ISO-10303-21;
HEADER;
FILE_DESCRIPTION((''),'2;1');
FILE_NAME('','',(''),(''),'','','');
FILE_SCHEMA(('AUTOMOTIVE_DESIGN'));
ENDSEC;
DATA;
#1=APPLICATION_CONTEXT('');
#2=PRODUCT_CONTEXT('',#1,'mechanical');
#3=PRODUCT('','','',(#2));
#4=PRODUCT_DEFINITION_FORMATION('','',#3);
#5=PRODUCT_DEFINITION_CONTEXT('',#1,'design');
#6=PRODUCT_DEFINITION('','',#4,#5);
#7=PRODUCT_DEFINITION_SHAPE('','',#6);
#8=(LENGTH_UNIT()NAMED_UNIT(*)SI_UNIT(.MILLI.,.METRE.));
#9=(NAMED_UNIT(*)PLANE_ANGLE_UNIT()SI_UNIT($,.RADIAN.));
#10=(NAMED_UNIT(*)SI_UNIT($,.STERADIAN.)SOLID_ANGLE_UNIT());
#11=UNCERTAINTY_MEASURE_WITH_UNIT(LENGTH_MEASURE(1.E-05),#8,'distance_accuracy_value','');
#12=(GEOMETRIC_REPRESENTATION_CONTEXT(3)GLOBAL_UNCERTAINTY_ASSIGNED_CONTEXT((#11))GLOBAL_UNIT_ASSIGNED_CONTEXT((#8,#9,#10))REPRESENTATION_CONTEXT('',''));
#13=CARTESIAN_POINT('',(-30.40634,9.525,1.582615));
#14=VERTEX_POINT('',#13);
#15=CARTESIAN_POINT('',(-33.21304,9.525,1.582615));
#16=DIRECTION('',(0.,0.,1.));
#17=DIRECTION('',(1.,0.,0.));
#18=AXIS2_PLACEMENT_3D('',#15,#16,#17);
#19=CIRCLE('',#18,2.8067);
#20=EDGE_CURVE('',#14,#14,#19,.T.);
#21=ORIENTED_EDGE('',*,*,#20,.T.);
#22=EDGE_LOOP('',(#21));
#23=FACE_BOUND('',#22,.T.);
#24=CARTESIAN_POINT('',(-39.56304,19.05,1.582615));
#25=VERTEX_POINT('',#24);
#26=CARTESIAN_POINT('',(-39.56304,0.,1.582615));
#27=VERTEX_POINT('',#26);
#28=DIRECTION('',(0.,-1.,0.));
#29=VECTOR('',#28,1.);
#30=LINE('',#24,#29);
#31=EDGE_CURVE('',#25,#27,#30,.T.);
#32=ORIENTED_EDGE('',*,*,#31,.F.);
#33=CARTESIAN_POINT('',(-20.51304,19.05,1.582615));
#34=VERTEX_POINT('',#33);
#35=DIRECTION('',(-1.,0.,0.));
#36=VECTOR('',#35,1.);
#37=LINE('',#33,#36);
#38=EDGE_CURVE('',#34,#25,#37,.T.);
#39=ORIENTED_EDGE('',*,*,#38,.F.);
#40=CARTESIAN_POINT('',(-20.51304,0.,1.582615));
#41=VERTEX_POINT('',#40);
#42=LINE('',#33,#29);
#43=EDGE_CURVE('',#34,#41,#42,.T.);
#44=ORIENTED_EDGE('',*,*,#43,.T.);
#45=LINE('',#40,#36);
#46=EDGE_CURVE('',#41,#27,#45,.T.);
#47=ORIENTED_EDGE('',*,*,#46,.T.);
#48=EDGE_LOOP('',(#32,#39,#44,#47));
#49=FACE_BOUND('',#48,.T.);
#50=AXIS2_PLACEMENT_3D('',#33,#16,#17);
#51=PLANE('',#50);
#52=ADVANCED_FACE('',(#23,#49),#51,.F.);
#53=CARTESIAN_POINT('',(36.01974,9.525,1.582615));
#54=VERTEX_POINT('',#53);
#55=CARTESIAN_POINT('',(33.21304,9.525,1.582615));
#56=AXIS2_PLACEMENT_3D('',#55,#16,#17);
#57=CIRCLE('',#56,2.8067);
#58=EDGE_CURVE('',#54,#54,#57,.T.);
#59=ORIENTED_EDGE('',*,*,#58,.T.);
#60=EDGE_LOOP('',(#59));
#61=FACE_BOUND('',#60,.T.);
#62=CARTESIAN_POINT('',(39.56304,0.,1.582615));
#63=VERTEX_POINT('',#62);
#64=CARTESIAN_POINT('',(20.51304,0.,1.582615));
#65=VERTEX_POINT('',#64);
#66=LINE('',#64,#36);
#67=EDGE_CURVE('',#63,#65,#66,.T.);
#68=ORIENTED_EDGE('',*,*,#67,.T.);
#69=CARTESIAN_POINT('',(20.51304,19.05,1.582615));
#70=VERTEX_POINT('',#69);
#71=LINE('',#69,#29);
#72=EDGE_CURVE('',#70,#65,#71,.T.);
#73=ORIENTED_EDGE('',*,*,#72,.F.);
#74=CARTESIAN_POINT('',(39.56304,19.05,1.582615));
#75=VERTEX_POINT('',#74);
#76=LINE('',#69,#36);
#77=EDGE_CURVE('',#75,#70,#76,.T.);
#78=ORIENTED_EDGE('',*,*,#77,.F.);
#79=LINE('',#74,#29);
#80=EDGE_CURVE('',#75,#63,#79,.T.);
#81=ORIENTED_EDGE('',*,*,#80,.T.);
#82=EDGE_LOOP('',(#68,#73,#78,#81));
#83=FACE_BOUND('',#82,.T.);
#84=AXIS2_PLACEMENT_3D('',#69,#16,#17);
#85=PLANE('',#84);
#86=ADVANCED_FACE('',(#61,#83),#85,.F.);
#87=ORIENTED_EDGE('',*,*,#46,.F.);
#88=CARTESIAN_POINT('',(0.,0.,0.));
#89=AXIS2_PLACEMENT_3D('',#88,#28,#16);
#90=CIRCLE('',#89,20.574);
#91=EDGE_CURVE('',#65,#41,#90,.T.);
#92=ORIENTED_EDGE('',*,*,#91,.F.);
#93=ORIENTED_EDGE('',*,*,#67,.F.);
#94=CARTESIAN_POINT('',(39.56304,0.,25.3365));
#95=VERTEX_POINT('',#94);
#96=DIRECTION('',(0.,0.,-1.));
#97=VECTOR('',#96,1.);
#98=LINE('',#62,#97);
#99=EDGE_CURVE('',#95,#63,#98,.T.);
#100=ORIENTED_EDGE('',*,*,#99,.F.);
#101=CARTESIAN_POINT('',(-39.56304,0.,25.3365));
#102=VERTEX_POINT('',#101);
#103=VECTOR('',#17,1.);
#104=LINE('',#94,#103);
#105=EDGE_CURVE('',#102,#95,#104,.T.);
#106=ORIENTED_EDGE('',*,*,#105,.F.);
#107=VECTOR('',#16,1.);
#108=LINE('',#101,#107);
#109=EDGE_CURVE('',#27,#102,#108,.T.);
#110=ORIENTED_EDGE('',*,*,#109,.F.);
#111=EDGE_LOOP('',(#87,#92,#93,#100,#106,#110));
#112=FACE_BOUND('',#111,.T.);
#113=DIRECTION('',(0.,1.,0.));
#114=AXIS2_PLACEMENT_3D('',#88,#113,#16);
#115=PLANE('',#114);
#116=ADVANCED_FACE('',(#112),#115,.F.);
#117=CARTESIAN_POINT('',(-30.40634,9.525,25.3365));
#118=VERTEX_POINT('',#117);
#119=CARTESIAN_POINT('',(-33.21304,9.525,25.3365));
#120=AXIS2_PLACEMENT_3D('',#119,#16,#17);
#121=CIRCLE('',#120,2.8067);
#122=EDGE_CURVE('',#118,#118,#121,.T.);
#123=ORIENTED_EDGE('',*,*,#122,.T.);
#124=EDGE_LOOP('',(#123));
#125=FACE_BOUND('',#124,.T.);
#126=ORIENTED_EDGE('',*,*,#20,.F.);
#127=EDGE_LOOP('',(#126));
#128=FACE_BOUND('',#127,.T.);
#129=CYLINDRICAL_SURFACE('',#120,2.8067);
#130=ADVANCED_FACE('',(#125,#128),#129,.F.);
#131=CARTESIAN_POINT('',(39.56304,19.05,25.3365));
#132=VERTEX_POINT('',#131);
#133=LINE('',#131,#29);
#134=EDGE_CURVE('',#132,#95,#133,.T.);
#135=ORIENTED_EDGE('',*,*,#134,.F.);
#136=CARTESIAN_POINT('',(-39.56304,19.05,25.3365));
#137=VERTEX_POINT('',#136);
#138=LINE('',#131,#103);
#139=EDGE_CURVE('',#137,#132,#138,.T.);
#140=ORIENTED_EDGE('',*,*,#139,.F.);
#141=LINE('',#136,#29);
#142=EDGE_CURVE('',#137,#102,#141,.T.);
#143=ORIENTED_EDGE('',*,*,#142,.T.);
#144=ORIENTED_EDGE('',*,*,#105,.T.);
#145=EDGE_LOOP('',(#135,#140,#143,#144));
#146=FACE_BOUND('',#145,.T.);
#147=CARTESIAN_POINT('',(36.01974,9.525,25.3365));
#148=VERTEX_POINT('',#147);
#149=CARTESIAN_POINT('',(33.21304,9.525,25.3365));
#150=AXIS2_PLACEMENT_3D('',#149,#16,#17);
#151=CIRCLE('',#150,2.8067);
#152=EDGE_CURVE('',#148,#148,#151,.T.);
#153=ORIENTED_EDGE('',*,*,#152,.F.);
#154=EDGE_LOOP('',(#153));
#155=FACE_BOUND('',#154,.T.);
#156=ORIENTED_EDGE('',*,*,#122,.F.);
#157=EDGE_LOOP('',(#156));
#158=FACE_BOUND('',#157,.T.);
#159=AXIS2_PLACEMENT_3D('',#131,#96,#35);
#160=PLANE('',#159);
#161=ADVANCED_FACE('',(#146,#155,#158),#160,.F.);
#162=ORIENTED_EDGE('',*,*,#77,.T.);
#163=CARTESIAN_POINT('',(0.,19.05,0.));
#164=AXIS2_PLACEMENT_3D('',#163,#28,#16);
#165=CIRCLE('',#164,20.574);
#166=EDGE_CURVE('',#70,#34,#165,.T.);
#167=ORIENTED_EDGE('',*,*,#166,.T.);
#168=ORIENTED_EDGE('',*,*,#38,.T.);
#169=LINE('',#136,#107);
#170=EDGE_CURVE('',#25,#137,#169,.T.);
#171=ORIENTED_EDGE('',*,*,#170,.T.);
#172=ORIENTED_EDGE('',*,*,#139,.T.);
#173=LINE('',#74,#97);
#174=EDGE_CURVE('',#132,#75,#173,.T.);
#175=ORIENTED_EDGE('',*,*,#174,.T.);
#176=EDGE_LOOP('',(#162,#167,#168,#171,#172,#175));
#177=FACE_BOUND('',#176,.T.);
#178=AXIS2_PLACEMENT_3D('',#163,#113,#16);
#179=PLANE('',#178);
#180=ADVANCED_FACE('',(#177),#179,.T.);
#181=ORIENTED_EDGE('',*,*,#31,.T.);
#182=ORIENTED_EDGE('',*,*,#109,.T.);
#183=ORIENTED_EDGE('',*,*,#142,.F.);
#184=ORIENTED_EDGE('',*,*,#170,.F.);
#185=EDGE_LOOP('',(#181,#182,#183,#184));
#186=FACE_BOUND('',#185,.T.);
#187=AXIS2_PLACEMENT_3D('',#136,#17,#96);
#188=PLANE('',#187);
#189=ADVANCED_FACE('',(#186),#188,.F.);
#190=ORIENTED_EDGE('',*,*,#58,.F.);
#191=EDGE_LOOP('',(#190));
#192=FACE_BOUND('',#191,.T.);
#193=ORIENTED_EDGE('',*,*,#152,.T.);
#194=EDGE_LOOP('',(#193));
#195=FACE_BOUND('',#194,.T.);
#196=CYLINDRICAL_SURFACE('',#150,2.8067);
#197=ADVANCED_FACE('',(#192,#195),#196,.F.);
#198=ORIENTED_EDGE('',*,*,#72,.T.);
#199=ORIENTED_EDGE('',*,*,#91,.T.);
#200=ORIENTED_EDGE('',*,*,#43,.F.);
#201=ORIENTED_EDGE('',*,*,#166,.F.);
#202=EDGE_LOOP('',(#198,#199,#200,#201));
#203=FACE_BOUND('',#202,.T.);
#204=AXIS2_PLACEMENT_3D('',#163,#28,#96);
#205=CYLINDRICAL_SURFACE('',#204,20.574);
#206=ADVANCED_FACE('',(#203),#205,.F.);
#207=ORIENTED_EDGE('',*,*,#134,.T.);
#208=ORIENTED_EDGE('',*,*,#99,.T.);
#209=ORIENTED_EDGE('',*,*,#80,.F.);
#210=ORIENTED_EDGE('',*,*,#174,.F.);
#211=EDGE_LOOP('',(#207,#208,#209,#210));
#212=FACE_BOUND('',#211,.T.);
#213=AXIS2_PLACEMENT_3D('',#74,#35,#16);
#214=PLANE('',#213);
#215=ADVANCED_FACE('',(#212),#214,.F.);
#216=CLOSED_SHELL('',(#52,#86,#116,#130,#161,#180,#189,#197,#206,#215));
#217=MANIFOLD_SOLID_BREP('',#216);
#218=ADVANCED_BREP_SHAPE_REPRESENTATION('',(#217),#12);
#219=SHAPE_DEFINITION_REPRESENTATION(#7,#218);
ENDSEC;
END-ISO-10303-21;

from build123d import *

# Parameters (mm, degrees)
BOSS_EXTRUDE1_DEPTH    = 19.05
SKETCH2_R              = 1.27
CUT_EXTRUDE1_DEPTH     = 50.92377848
F_10_CLEARANCE_HOLE1_D = 5.6134


with BuildPart() as part:
    # Sketch1 → Boss-Extrude1 (new body)
    with BuildSketch(Plane(origin=(0, 0, 0), x_dir=(1, 0, 0), z_dir=(0, 1, 0))):
        with BuildLine():
            Line((39.563039866, -1.582615385), (39.563039866, -25.3365))
            Line((39.563039866, -25.3365), (-39.563039866, -25.3365))
            Line((-39.563039866, -25.3365), (-39.563039866, -1.582615385))
            Line((-39.563039866, -1.582615385), (-20.513039866, -1.582615385))
            ThreePointArc((-20.513039866, -1.582615385), (0, -20.574), (20.513039866, -1.582615385))
            Line((20.513039866, -1.582615385), (39.563039866, -1.582615385))
        make_face()
    extrude(amount=BOSS_EXTRUDE1_DEPTH)

    # Sketch2 → Cut-Extrude1 (cut, through all)
    with BuildSketch(Plane.XY.offset(25.3365)):
        with Locations((33.213039866, 9.525)):
            Circle(SKETCH2_R)
        with Locations((-33.213039866, 9.525)):
            Circle(SKETCH2_R)
    extrude(amount=-CUT_EXTRUDE1_DEPTH, mode=Mode.SUBTRACT)

    # #10 Clearance Hole1 (through all)
    with Locations(Plane.XY.offset(25.3365)):
        with Locations((-33.213039866, 9.525), (33.213039866, 9.525)):
            Hole(F_10_CLEARANCE_HOLE1_D / 2)


solid = part.part
